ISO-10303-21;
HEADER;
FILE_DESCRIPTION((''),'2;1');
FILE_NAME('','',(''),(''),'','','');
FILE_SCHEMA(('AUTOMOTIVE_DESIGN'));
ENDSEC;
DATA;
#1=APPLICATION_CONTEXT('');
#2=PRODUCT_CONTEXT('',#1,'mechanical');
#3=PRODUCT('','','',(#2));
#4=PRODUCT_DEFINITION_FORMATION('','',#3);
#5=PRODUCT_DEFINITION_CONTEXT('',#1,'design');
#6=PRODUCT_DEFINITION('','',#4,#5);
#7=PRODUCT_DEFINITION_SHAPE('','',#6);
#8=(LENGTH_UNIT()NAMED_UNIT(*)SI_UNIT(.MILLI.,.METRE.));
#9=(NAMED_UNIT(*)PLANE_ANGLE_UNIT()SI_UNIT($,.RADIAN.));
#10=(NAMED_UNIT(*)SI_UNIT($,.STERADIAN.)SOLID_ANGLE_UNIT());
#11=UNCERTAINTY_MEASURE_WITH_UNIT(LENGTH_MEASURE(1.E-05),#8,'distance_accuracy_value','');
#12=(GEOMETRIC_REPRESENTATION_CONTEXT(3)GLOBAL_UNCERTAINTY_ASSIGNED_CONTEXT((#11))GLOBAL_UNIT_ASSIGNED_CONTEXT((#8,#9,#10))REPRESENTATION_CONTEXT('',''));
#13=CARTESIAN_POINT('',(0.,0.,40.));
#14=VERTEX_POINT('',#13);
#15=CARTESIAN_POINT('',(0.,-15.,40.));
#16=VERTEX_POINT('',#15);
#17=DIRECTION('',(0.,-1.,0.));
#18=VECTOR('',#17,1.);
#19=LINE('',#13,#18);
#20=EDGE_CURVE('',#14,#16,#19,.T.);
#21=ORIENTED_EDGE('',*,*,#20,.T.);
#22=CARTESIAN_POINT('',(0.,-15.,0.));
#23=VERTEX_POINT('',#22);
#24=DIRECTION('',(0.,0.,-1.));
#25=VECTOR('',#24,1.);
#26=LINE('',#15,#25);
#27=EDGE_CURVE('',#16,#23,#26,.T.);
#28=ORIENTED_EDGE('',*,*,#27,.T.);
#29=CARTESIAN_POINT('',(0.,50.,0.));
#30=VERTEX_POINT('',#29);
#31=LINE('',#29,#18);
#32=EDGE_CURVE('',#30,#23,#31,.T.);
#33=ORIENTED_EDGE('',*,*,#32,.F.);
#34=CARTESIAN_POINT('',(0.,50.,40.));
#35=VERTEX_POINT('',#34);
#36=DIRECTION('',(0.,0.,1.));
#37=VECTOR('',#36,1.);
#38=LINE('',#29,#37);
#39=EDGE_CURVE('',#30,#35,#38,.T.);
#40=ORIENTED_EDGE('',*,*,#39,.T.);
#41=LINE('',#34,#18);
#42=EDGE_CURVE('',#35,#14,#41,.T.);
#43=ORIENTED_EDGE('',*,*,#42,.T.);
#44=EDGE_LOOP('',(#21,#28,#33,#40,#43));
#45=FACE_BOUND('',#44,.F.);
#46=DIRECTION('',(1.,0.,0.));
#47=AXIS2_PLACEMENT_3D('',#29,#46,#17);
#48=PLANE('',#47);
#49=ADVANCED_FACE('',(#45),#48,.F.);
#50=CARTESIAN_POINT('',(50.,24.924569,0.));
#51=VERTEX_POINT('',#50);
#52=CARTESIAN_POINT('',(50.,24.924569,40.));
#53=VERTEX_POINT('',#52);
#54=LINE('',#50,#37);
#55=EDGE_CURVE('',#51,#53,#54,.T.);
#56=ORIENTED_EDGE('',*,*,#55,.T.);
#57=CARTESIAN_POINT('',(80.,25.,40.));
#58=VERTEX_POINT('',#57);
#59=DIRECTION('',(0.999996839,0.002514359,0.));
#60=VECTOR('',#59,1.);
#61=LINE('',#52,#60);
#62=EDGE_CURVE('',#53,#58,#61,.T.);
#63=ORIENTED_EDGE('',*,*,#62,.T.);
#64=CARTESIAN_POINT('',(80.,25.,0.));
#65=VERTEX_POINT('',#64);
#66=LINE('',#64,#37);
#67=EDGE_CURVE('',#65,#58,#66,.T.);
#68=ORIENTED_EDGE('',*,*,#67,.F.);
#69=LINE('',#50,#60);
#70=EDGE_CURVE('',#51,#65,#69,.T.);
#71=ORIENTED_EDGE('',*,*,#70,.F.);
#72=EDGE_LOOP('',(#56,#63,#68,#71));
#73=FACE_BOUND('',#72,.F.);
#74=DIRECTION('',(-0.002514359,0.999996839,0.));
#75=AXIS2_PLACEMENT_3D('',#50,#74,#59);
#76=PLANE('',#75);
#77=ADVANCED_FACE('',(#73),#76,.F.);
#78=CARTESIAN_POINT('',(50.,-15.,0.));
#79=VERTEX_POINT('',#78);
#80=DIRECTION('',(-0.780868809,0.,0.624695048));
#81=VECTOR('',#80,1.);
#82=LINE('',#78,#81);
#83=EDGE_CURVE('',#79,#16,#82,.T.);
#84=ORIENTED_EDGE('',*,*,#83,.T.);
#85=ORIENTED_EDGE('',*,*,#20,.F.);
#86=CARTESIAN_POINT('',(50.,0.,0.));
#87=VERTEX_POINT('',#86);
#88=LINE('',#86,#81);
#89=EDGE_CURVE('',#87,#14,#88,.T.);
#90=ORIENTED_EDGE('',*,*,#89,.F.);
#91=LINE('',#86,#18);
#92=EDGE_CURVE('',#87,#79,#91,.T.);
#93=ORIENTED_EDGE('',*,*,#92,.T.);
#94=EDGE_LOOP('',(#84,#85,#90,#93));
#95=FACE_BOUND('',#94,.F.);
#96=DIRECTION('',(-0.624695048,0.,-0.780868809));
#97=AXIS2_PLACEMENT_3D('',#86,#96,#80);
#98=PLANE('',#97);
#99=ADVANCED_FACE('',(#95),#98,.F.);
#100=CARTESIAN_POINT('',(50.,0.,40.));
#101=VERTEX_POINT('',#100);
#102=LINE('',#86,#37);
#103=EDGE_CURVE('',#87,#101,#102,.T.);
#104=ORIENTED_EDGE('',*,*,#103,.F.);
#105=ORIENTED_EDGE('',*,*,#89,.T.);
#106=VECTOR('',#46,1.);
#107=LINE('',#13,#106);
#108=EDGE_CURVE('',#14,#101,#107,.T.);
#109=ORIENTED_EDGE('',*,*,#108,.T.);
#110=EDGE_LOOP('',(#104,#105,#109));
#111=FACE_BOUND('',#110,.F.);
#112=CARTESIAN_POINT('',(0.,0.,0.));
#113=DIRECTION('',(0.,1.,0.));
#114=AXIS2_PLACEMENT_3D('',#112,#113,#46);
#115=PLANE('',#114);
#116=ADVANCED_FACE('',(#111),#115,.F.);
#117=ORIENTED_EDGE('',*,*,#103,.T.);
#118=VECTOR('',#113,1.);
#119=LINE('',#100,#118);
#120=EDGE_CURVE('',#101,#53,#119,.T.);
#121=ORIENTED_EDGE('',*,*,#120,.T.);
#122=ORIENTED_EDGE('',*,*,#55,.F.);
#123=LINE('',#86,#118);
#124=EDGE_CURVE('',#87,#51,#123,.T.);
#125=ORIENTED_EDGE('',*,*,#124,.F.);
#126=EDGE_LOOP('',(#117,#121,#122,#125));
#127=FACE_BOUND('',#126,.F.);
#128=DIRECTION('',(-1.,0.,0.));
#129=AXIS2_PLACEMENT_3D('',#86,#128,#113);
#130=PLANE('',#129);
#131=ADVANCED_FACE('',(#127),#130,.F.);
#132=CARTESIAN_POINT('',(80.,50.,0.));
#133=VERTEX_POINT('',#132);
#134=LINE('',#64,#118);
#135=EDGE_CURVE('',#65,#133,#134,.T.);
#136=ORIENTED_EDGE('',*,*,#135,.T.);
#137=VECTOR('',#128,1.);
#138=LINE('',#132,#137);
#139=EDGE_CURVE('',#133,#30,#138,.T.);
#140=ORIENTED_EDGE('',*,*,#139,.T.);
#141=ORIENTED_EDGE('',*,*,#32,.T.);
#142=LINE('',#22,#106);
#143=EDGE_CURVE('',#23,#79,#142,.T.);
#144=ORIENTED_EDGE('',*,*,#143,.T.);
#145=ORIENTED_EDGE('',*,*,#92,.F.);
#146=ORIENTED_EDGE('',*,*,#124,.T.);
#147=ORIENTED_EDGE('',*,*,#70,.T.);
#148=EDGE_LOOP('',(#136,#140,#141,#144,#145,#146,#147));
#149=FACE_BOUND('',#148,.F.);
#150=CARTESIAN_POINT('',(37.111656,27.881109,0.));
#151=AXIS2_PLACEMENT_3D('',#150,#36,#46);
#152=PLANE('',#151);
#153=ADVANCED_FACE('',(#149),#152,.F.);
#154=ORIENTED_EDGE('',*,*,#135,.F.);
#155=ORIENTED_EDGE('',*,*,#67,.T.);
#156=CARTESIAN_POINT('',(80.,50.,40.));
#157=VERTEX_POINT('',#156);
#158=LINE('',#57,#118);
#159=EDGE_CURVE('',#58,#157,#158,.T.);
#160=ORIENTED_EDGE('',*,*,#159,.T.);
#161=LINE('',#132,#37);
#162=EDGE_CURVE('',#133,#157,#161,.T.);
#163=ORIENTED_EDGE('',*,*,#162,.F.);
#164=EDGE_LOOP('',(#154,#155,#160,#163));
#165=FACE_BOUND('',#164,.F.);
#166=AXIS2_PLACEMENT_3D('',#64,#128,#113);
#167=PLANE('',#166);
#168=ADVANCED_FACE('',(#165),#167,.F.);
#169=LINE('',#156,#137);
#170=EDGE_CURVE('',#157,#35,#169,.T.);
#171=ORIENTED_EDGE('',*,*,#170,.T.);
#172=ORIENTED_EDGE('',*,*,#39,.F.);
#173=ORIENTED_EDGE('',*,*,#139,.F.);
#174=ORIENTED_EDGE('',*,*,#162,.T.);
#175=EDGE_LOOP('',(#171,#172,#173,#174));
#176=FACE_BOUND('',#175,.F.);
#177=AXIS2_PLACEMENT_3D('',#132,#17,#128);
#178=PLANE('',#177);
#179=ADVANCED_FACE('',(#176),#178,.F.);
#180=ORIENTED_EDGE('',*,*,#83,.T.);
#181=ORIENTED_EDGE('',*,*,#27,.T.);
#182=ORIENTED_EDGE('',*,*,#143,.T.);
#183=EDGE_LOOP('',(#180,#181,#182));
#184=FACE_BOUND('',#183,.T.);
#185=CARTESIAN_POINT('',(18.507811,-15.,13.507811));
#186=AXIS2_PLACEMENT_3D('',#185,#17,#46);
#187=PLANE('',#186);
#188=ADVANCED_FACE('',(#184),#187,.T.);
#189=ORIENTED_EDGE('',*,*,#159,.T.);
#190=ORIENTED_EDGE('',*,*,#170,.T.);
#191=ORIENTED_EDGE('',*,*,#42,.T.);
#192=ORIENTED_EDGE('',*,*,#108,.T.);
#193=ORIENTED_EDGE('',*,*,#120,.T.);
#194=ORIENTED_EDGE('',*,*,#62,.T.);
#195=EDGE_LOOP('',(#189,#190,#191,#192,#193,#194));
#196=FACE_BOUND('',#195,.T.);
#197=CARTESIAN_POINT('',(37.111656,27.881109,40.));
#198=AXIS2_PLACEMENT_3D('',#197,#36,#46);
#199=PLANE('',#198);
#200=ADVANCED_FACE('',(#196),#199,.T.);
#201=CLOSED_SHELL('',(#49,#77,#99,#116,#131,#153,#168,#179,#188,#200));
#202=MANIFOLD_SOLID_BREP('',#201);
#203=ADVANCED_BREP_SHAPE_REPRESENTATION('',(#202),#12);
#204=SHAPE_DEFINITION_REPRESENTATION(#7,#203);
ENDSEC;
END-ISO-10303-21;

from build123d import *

# Parameters (mm, degrees)
F1_DEPTH = 15
F3_DEPTH = 40


with BuildPart() as f1:
    # F0 (on Front) → F1 (new body)
    with BuildSketch(Plane.XZ):
        Polygon((0, 40), (0, 0), (50, 0), align=None)
    extrude(amount=F1_DEPTH)

    # F2 (on Top) → F3 (join)
    with BuildSketch(Plane.XY):
        Polygon((0, 50), (0, 0), (50, 0), (50, 24.924569), (80, 25), (80, 50), align=None)
    extrude(amount=F3_DEPTH)


solid = f1.part
